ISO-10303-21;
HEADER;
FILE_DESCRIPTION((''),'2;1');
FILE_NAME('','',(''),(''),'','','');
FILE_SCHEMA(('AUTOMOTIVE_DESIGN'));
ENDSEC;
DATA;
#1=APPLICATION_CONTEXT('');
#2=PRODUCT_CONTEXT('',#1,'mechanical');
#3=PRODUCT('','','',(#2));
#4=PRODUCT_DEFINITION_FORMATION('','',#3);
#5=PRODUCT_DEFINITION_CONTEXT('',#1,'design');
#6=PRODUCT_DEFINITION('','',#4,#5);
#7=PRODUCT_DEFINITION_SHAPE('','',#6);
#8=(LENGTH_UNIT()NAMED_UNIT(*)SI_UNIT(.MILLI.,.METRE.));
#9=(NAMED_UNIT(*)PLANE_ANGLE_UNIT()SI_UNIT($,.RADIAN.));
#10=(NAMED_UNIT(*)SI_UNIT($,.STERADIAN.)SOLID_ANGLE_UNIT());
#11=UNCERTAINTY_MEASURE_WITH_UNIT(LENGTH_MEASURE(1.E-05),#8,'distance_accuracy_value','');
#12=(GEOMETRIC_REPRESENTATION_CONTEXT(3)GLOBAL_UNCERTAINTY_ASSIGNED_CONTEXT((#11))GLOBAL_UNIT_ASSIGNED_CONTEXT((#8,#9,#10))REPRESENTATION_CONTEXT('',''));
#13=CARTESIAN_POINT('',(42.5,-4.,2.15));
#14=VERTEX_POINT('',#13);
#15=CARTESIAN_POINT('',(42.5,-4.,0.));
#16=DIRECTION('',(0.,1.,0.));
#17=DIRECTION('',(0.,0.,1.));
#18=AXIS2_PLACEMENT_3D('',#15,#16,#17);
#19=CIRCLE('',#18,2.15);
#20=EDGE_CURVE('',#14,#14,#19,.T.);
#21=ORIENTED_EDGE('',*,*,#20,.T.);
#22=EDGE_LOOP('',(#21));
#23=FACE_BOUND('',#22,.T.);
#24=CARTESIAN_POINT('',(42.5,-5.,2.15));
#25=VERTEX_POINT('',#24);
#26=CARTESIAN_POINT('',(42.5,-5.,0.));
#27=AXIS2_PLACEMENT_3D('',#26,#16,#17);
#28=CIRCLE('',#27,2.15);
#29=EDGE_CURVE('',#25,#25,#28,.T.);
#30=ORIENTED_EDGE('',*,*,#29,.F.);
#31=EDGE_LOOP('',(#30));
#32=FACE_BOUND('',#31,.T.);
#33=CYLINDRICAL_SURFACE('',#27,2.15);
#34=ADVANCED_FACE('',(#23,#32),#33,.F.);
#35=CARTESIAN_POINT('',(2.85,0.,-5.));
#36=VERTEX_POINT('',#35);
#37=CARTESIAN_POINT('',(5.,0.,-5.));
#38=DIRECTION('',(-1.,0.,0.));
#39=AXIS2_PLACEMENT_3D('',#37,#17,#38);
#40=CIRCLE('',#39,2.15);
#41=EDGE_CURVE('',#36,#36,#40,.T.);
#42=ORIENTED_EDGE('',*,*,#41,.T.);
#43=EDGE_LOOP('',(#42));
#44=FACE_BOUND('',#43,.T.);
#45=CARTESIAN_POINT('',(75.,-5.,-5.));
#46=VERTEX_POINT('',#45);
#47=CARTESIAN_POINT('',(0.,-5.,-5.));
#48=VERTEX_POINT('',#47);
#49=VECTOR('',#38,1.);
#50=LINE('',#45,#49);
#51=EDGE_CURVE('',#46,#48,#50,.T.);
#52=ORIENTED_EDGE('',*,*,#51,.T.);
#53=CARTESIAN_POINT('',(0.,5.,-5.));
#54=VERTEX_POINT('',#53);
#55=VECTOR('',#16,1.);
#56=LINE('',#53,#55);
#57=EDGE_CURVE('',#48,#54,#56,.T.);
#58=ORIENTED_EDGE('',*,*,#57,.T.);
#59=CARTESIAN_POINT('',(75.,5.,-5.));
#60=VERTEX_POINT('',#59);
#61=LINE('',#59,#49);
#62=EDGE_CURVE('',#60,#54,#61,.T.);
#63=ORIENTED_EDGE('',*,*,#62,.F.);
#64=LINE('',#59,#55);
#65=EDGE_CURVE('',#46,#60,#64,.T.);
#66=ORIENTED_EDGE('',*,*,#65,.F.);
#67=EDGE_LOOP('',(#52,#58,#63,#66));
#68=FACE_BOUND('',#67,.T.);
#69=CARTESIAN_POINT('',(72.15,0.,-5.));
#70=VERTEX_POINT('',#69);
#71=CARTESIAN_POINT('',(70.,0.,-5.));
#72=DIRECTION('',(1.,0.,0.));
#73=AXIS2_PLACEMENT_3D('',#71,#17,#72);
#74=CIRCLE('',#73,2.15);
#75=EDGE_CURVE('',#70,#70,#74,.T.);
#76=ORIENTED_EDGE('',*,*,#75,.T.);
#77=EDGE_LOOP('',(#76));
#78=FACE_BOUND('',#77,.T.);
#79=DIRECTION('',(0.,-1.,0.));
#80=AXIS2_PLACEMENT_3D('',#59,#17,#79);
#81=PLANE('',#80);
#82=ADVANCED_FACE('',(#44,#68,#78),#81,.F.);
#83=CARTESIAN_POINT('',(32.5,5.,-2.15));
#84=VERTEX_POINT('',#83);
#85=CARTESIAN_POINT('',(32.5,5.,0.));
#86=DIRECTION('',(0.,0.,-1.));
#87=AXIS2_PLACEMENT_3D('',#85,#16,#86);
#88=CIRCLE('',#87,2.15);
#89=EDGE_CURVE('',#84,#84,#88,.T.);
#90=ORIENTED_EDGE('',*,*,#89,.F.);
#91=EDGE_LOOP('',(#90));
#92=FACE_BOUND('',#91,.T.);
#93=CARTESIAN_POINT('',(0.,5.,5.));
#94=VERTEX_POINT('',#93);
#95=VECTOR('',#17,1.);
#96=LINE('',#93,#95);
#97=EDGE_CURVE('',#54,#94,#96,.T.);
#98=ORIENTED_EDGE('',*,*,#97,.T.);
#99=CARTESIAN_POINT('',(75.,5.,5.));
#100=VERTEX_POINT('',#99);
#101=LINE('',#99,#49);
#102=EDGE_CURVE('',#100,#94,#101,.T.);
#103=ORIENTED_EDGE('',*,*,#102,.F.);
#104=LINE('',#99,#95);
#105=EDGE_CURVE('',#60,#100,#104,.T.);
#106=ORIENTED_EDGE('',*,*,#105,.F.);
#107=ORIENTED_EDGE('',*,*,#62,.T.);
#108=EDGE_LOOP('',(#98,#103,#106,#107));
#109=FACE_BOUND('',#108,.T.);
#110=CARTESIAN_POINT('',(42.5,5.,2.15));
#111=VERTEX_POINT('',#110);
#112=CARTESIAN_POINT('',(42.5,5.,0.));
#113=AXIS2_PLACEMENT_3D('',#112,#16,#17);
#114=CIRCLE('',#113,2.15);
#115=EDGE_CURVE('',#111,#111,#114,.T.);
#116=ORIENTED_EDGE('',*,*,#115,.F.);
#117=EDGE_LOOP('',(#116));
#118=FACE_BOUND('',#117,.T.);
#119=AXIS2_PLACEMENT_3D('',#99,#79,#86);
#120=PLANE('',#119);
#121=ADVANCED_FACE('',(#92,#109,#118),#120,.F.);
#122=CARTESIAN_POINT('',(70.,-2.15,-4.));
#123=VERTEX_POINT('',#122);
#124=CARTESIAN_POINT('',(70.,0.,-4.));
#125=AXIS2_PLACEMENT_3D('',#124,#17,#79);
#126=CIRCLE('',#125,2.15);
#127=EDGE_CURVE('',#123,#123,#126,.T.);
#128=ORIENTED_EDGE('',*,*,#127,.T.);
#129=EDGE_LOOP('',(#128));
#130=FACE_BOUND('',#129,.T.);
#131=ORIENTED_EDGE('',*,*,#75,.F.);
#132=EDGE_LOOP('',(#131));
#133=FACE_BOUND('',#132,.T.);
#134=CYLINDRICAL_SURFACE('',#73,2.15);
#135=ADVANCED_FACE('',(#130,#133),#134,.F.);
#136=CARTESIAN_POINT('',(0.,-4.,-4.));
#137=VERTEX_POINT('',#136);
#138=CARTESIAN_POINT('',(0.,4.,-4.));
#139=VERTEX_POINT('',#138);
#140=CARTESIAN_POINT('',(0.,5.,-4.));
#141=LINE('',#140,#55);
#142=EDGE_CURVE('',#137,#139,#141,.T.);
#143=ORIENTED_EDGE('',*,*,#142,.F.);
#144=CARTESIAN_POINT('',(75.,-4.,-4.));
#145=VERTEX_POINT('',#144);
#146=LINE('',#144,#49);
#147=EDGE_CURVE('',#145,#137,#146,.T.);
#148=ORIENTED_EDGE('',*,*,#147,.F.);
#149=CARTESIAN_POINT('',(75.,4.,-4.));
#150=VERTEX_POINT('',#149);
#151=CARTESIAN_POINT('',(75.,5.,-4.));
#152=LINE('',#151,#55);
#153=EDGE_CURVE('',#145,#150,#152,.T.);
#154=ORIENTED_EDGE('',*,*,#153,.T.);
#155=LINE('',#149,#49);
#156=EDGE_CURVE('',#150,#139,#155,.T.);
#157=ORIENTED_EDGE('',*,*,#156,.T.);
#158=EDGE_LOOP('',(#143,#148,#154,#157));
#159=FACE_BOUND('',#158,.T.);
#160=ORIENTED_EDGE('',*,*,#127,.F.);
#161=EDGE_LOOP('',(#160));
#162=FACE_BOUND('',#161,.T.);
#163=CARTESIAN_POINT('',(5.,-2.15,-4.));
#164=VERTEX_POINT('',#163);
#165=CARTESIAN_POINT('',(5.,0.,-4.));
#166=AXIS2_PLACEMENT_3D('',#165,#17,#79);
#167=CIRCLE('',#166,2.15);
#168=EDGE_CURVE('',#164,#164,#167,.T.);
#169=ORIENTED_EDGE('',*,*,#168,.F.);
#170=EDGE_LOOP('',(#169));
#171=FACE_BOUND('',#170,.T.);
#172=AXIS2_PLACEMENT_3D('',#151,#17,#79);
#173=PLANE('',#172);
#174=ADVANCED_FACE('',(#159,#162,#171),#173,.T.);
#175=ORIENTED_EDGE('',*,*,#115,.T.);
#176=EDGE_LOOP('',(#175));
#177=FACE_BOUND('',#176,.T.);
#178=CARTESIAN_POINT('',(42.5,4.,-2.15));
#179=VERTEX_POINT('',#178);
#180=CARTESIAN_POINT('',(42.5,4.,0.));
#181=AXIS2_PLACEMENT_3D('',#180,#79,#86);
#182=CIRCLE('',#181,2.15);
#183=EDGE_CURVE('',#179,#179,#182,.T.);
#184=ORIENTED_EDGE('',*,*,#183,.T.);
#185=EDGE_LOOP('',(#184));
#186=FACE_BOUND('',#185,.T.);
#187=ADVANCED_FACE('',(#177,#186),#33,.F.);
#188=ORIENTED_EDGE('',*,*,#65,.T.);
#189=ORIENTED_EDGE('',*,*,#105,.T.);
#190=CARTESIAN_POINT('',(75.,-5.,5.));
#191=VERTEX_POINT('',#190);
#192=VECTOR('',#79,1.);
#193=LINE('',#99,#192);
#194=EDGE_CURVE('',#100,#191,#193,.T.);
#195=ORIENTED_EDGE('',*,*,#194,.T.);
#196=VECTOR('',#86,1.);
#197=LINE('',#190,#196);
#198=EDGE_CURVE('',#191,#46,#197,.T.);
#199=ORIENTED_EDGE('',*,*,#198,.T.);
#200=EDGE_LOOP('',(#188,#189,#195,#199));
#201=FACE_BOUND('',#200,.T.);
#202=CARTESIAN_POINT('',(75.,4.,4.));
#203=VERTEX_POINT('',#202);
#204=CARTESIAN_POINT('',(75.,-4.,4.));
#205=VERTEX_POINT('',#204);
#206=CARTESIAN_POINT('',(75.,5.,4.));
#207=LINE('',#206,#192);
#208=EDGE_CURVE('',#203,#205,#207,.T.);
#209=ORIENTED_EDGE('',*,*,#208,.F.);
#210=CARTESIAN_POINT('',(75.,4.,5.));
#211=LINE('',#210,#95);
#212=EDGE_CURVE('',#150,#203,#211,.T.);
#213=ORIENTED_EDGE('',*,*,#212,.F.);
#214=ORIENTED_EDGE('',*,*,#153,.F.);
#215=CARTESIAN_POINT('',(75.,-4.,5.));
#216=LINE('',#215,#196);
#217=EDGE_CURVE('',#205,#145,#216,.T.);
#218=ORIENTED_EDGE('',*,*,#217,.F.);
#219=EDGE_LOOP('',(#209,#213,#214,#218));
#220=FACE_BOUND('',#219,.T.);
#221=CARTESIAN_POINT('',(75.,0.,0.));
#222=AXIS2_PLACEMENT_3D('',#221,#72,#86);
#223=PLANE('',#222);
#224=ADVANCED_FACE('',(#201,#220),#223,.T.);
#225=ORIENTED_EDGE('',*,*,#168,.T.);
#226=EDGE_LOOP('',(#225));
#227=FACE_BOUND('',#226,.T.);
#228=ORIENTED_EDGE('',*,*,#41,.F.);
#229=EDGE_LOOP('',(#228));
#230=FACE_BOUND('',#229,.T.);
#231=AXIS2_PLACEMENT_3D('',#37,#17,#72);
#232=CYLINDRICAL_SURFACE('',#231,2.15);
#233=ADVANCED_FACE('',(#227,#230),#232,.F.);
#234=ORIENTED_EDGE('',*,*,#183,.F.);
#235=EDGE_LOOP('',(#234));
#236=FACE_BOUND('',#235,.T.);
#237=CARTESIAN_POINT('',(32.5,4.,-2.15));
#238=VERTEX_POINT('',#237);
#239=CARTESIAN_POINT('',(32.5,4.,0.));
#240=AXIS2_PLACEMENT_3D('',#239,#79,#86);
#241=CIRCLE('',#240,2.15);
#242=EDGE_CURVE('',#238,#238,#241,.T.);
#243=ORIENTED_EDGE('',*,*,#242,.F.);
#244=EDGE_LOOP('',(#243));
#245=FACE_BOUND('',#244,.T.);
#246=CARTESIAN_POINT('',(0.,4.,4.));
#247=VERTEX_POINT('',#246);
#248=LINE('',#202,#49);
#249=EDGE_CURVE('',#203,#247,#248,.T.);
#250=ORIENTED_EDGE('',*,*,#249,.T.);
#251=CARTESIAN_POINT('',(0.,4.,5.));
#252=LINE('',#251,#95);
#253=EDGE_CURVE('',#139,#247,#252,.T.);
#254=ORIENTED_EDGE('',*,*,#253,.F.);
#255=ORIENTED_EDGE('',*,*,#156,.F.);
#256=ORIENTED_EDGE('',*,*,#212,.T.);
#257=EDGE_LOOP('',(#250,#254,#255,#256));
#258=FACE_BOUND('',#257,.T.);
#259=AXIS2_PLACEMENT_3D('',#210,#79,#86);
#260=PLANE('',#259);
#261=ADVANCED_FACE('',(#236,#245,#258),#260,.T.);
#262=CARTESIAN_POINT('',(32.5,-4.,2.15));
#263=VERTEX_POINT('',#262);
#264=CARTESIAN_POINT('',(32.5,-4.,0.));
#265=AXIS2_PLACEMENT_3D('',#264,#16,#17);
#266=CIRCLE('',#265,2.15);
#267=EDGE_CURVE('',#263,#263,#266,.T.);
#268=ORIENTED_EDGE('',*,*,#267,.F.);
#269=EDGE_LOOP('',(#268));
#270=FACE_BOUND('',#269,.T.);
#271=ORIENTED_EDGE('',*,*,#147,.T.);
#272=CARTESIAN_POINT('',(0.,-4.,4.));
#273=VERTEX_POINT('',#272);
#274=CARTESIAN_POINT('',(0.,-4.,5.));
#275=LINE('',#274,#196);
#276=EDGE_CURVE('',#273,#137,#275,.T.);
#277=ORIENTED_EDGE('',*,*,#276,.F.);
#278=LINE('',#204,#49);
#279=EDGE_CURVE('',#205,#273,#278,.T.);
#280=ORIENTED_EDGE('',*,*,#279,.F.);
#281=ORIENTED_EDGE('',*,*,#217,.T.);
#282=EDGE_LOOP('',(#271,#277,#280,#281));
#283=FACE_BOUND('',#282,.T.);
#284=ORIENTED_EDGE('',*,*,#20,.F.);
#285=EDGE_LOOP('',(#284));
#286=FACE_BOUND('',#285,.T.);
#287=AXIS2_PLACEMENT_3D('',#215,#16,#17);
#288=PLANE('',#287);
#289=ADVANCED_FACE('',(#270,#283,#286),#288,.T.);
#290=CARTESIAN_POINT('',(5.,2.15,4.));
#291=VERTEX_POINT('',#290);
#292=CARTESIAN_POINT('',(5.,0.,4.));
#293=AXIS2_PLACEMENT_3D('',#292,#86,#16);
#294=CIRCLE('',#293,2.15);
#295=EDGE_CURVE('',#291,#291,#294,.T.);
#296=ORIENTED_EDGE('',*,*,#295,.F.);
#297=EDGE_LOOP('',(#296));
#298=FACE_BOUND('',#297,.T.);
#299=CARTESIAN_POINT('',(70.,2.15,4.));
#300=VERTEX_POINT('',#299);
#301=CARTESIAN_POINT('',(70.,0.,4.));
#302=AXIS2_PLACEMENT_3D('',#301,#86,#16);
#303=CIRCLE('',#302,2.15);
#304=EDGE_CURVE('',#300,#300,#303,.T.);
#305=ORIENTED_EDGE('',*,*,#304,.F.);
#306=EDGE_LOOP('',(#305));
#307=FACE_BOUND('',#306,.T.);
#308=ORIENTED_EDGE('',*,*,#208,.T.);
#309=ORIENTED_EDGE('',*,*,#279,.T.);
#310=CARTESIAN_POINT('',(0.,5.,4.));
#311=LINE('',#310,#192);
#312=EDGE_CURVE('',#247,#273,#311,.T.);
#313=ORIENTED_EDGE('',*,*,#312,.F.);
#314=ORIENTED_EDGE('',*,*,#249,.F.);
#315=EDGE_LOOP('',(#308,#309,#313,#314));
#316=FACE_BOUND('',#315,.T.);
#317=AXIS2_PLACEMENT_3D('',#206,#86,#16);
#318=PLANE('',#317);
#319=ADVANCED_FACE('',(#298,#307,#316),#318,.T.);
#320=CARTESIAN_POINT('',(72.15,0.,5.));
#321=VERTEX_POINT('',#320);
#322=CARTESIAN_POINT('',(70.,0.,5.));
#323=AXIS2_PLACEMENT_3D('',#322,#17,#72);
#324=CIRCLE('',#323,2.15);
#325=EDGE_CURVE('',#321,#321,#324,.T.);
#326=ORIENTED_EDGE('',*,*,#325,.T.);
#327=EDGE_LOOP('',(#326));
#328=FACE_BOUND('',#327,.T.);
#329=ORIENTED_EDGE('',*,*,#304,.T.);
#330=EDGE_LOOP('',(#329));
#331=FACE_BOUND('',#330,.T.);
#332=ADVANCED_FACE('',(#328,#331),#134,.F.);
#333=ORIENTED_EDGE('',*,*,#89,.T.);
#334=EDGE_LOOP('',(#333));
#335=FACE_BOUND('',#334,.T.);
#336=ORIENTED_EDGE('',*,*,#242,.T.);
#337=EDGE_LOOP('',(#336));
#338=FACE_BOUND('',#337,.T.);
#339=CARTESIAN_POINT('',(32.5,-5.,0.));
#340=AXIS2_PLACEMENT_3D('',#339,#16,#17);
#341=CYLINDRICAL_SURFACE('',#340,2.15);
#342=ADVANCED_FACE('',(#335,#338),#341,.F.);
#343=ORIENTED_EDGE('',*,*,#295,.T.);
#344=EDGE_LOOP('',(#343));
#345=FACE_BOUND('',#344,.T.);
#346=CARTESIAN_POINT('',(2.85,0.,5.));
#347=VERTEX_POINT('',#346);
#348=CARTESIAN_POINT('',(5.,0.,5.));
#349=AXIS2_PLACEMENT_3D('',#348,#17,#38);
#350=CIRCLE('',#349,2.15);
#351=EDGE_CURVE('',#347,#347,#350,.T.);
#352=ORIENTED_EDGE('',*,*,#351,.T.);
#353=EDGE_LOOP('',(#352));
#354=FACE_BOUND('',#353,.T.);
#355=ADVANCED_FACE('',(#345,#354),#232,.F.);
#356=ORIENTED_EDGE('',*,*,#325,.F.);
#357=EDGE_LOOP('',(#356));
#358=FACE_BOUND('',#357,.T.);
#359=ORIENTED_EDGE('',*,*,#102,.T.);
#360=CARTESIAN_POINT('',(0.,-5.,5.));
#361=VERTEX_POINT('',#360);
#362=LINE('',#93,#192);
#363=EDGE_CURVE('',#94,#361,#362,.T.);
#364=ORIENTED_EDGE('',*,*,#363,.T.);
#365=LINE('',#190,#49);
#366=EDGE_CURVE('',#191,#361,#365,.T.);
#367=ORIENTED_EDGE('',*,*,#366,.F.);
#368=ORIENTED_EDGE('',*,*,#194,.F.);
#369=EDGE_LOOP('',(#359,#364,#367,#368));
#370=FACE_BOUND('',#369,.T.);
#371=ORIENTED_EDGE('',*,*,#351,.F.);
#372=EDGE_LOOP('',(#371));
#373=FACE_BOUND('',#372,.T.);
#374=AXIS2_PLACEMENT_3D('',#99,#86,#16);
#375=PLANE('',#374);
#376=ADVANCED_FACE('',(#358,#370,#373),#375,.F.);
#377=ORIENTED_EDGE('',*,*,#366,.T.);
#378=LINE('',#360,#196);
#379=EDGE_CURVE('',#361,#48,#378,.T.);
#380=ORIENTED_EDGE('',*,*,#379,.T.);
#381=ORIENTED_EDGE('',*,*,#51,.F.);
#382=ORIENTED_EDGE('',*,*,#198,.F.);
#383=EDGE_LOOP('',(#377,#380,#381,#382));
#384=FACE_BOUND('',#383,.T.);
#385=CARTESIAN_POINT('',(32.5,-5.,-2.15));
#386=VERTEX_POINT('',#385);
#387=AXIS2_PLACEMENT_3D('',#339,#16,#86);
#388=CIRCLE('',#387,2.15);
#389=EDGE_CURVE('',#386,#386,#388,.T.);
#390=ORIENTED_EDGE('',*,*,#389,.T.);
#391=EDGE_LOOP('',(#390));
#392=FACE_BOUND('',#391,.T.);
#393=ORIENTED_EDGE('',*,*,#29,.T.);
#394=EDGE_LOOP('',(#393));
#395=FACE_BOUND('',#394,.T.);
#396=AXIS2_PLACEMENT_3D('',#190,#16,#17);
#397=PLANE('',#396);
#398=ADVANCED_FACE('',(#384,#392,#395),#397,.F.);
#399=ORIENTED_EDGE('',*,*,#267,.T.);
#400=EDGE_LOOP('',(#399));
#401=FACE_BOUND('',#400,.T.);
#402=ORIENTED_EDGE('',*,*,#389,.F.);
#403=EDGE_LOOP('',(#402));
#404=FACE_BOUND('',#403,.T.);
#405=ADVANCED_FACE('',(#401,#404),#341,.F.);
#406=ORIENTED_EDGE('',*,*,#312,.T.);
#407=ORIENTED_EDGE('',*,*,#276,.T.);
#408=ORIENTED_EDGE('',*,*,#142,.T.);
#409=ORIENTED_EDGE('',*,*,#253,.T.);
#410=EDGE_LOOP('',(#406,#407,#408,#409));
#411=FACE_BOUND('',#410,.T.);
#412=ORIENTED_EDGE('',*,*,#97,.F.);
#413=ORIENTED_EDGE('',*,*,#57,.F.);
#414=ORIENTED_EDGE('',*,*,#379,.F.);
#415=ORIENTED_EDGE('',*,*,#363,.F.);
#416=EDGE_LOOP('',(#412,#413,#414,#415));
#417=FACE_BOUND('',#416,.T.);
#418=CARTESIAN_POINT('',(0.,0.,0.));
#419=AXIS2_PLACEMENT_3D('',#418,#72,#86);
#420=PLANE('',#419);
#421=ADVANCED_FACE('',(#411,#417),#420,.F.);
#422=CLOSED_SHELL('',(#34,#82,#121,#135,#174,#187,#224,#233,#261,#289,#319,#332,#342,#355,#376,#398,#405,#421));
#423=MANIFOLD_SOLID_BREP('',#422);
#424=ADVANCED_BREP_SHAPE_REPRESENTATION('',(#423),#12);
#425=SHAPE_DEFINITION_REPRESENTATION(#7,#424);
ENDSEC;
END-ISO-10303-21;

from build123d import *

# Parameters (mm, degrees)
SKETCH_1_W          = 10
SKETCH_1_H          = 10
SKETCH_1_W_2        = 8
SKETCH_1_H_2        = 8
EXTRUDE_1_DEPTH     = 75
SKETCH_2_R          = 2.15
CUT_EXTRUDE_1_DEPTH = 76.828754441
SKETCH_3_R          = 2.15
CUT_EXTRUDE_2_DEPTH = 76.828754441


with BuildPart() as part:
    # ｽｹｯﾁ1 → 押し出し-薄板1 (new body)
    with BuildSketch(Plane(origin=(0, 0, 0), x_dir=(0, 0, -1), z_dir=(1, 0, 0))):
        Rectangle(SKETCH_1_W, SKETCH_1_H)
        Rectangle(SKETCH_1_W_2, SKETCH_1_H_2, mode=Mode.SUBTRACT)
    extrude(amount=EXTRUDE_1_DEPTH)

    # ｽｹｯﾁ2 → ｶｯﾄ - 押し出し1 (cut, through all)
    with BuildSketch(Plane.XY.offset(5)):
        with Locations((70, 0)):
            Circle(SKETCH_2_R)
        with Locations(Location((5, 0, 0), (0, 0, 90))):
            Circle(SKETCH_2_R)
    extrude(amount=-CUT_EXTRUDE_1_DEPTH, mode=Mode.SUBTRACT)

    # ｽｹｯﾁ3 → ｶｯﾄ - 押し出し2 (cut, through all)
    with BuildSketch(Plane(origin=(0, 5, 0), x_dir=(1, 0, 0), z_dir=(0, 1, 0))):
        with Locations(Location((42.5, 0, 0), (0, 0, 270))):
            Circle(SKETCH_3_R)
        with Locations(Location((32.5, 0, 0), (0, 0, 270))):
            Circle(SKETCH_3_R)
    extrude(amount=-CUT_EXTRUDE_2_DEPTH, mode=Mode.SUBTRACT)


solid = part.part
